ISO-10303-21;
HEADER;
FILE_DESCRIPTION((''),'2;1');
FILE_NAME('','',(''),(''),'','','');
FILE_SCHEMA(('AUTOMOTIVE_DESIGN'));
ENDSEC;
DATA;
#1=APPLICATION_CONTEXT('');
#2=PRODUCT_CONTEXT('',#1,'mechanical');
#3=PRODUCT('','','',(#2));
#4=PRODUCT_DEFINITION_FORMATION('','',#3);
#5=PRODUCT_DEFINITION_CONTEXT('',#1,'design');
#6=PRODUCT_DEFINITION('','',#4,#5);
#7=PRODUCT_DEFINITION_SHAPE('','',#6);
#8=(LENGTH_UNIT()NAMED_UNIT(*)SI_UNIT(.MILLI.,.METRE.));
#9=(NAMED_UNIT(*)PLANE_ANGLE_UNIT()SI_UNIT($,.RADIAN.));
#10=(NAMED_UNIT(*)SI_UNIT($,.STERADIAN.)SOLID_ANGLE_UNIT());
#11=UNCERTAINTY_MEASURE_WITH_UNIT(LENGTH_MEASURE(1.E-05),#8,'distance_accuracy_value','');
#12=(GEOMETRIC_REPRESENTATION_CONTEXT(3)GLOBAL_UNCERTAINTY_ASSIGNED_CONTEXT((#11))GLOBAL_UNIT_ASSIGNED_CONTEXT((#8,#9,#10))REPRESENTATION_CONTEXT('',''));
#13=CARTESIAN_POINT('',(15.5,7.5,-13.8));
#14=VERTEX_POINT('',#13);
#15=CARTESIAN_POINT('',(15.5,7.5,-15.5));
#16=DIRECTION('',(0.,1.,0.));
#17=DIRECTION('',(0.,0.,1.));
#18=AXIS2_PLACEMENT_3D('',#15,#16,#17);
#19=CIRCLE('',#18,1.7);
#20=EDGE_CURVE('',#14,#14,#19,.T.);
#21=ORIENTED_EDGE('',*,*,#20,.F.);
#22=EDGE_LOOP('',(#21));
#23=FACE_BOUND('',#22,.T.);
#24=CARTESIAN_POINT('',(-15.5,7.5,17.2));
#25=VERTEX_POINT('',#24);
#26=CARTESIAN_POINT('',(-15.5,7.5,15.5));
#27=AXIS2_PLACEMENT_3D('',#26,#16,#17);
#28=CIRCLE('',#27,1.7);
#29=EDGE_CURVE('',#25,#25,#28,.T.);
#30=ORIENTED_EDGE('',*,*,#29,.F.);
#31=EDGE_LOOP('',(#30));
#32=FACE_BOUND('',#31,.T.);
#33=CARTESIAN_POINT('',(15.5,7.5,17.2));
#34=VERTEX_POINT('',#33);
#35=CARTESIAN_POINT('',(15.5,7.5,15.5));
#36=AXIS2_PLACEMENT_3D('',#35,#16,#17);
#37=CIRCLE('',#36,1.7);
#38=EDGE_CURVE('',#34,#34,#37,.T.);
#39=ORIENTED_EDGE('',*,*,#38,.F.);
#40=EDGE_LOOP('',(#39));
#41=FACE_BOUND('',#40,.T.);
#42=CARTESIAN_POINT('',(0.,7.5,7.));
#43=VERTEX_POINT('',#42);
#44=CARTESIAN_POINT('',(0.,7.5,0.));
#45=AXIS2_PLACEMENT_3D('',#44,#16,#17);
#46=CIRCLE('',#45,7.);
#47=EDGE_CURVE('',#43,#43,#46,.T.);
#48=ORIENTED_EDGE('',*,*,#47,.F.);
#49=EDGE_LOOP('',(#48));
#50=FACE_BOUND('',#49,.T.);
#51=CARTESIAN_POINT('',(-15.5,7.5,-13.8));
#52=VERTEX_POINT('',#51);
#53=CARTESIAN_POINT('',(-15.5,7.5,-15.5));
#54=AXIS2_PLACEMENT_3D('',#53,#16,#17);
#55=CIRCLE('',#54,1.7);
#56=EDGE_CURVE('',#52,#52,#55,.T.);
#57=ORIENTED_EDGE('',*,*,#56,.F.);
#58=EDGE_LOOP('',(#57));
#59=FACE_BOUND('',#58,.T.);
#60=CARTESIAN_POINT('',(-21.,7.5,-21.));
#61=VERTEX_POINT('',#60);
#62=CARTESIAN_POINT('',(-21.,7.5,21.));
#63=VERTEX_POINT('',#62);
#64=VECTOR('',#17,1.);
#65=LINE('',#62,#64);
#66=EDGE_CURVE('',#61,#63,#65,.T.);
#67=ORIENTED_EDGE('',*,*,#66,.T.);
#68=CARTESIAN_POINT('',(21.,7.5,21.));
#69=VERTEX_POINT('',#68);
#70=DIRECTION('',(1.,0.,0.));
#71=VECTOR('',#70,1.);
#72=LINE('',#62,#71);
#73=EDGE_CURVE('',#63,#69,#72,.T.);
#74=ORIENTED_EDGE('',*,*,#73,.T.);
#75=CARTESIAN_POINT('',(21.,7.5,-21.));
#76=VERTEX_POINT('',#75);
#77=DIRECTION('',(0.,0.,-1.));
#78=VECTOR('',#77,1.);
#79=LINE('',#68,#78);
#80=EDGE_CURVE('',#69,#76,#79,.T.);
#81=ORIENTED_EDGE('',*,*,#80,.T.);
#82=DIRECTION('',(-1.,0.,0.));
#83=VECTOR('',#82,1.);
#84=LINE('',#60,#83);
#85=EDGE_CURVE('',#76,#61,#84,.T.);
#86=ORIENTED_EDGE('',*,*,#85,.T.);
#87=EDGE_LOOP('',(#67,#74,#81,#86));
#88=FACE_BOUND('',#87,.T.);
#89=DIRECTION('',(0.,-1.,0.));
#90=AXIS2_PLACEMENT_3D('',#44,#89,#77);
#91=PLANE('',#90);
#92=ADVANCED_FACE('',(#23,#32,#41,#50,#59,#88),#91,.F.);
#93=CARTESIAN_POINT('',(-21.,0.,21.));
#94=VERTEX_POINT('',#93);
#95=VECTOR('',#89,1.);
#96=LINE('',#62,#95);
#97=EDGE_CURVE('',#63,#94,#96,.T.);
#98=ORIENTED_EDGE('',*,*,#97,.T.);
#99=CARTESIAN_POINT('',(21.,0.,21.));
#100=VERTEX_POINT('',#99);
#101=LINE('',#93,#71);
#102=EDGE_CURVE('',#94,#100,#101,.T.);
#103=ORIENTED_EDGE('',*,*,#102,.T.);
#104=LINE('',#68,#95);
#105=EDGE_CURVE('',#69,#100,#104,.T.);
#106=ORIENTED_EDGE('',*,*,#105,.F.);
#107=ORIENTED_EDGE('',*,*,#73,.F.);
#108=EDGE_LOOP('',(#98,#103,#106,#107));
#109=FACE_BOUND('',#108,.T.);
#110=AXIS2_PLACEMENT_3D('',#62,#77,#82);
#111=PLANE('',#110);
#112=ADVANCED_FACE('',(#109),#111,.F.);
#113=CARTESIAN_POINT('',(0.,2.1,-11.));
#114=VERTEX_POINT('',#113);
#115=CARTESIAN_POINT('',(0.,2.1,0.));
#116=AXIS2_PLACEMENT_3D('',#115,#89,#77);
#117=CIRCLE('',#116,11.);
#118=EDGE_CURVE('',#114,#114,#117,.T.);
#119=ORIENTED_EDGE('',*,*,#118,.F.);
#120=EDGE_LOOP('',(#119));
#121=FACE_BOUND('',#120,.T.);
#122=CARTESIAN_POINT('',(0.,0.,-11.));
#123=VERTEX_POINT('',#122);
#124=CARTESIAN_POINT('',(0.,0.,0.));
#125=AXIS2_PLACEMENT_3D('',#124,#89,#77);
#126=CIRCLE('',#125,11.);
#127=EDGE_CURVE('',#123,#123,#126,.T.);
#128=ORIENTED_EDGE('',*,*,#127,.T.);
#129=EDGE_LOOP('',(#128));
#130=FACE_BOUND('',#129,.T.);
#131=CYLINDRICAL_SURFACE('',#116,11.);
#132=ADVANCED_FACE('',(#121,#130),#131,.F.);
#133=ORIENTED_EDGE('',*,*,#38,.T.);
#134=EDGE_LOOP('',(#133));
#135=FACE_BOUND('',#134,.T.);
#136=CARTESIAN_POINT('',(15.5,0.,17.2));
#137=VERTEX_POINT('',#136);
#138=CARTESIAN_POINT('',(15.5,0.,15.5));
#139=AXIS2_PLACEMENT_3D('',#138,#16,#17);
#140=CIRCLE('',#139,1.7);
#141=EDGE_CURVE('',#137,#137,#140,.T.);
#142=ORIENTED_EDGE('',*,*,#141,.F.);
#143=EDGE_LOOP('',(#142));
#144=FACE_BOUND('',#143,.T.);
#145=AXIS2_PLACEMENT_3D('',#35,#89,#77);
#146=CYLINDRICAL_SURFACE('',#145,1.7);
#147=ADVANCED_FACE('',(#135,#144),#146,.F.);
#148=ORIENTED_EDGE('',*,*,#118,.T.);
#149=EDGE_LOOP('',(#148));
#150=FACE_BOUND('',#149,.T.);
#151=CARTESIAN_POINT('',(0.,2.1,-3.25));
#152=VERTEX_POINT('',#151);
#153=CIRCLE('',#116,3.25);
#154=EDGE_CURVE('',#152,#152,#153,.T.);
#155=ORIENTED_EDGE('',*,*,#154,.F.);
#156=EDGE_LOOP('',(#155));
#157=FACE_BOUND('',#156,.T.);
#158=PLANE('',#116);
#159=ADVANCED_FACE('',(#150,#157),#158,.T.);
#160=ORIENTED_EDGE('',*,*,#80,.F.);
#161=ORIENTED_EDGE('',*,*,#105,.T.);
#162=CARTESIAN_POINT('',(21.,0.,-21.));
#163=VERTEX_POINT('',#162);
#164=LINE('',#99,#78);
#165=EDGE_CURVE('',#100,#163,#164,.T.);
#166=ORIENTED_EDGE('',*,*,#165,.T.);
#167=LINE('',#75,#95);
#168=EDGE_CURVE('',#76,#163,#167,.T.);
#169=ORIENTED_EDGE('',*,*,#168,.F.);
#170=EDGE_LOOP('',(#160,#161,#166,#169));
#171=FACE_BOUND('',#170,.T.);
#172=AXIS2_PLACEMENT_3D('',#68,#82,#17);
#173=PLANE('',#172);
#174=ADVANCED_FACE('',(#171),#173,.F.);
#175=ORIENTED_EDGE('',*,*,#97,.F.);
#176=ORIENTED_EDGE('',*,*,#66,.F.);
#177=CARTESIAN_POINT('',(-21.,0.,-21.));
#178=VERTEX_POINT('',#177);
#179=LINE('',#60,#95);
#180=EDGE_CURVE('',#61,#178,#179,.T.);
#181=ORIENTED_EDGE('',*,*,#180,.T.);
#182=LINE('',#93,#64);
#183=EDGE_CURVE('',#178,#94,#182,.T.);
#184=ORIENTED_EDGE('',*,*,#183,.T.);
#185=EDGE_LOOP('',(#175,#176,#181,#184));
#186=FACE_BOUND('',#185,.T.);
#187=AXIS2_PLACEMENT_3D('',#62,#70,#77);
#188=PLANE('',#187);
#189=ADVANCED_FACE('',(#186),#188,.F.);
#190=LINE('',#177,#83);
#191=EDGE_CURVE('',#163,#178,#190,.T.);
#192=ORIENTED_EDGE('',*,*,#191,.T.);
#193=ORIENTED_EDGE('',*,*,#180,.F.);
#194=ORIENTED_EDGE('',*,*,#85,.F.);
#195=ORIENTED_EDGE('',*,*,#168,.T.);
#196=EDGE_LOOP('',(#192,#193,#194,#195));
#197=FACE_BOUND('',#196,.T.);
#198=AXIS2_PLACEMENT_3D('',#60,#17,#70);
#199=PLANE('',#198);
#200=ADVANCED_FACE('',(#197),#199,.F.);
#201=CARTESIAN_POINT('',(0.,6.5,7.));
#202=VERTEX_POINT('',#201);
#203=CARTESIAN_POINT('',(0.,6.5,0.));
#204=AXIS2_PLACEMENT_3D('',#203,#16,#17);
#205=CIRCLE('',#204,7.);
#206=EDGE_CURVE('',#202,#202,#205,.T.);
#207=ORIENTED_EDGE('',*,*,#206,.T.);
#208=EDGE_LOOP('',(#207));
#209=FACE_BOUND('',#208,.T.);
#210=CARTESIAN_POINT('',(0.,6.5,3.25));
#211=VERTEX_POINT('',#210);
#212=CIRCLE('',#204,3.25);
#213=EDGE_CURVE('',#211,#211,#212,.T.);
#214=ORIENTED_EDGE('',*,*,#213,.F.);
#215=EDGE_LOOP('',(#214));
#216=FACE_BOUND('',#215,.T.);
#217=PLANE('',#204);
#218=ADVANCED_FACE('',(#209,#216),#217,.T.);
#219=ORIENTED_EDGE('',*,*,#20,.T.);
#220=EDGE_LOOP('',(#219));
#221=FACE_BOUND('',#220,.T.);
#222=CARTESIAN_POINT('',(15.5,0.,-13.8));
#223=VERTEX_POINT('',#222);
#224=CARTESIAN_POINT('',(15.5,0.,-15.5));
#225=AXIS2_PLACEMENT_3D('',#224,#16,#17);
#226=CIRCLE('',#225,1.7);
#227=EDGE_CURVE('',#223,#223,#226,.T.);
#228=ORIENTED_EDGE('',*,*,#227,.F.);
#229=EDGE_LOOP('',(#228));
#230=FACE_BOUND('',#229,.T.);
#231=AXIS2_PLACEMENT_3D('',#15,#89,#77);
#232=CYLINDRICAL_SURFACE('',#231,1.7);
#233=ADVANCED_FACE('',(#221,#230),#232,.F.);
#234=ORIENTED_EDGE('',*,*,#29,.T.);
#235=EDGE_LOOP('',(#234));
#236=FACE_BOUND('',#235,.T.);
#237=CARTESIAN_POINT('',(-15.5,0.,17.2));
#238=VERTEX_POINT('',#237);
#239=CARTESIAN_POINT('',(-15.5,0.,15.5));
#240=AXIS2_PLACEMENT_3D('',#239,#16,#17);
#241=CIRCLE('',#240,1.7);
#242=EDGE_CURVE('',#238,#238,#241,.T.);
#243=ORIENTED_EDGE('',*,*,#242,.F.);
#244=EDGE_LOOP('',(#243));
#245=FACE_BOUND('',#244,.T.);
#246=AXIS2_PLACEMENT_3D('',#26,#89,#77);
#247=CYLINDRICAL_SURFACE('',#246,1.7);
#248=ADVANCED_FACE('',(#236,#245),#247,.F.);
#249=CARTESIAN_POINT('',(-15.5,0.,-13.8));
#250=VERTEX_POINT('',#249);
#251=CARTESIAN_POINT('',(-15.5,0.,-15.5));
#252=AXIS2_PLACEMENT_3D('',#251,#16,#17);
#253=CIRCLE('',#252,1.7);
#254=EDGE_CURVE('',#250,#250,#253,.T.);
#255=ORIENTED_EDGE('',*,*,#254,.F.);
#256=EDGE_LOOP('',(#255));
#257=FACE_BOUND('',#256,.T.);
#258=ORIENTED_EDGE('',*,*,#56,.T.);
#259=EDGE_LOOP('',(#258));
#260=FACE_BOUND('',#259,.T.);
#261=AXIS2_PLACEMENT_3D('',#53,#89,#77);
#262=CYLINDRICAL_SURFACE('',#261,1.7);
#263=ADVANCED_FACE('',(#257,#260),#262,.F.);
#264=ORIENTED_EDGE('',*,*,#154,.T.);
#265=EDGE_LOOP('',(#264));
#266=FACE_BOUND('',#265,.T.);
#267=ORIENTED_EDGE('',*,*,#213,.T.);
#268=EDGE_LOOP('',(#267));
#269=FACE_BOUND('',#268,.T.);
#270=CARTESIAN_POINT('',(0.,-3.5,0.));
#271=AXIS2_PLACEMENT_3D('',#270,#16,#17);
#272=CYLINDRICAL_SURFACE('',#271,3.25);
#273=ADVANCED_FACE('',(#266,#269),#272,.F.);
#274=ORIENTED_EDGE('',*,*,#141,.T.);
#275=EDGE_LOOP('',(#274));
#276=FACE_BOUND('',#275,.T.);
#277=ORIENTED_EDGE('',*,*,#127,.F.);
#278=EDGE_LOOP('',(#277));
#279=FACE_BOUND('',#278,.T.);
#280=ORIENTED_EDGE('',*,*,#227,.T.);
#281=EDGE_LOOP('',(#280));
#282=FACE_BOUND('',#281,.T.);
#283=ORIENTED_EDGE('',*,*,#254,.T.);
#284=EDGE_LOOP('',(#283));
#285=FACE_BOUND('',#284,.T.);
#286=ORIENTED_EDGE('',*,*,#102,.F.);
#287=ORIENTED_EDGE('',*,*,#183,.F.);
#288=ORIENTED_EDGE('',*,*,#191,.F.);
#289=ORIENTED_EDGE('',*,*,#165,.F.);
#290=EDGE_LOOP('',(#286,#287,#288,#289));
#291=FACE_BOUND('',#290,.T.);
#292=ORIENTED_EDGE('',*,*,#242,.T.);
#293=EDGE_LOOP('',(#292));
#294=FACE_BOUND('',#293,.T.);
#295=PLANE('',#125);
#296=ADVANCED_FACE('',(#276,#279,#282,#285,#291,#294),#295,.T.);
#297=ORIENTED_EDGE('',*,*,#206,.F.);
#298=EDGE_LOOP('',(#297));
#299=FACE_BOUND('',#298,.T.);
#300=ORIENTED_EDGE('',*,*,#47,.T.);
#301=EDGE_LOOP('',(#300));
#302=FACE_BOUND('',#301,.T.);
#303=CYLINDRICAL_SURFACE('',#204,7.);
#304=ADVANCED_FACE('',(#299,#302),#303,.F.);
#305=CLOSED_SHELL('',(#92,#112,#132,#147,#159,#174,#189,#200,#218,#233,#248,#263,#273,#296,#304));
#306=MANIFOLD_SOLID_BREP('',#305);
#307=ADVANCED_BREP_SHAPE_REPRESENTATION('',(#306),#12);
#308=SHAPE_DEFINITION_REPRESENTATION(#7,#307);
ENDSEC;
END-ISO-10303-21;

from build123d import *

# Parameters (mm, degrees)
SKETCH1_W           = 42
SKETCH1_H           = 42
SKETCH1_R           = 1.7
BOSS_EXTRUDE1_DEPTH = 7.5
SKETCH2_R           = 11
CUT_EXTRUDE1_DEPTH  = 2.1
SKETCH3_R           = 7
CUT_EXTRUDE2_DEPTH  = 1
SKETCH4_R           = 3.25
CUT_EXTRUDE3_DEPTH  = 10


with BuildPart() as part:
    # Sketch1 → Boss-Extrude1 (new body)
    with BuildSketch(Plane(origin=(0, 0, 0), x_dir=(1, 0, 0), z_dir=(0, 1, 0))):
        Rectangle(SKETCH1_W, SKETCH1_H)
        with Locations((-15.5, 15.5)):
            Circle(SKETCH1_R, mode=Mode.SUBTRACT)
        with Locations((15.5, 15.5)):
            Circle(SKETCH1_R, mode=Mode.SUBTRACT)
        with Locations((15.5, -15.5)):
            Circle(SKETCH1_R, mode=Mode.SUBTRACT)
        with Locations((-15.5, -15.5)):
            Circle(SKETCH1_R, mode=Mode.SUBTRACT)
    extrude(amount=BOSS_EXTRUDE1_DEPTH)

    # Sketch2 → Cut-Extrude1 (cut)
    with BuildSketch(Plane(origin=(0, 0, 0), x_dir=(-1, 0, 0), z_dir=(0, -1, 0))):
        Circle(SKETCH2_R)
    extrude(amount=-CUT_EXTRUDE1_DEPTH, mode=Mode.SUBTRACT)

    # Sketch3 → Cut-Extrude2 (cut)
    with BuildSketch(Plane(origin=(0, 7.5, 0), x_dir=(1, 0, 0), z_dir=(0, 1, 0))):
        Circle(SKETCH3_R)
    extrude(amount=-CUT_EXTRUDE2_DEPTH, mode=Mode.SUBTRACT)

    # Sketch4 → Cut-Extrude3 (cut)
    with BuildSketch(Plane(origin=(0, 6.5, 0), x_dir=(1, 0, 0), z_dir=(0, 1, 0))):
        Circle(SKETCH4_R)
    extrude(amount=-CUT_EXTRUDE3_DEPTH, mode=Mode.SUBTRACT)


solid = part.part
